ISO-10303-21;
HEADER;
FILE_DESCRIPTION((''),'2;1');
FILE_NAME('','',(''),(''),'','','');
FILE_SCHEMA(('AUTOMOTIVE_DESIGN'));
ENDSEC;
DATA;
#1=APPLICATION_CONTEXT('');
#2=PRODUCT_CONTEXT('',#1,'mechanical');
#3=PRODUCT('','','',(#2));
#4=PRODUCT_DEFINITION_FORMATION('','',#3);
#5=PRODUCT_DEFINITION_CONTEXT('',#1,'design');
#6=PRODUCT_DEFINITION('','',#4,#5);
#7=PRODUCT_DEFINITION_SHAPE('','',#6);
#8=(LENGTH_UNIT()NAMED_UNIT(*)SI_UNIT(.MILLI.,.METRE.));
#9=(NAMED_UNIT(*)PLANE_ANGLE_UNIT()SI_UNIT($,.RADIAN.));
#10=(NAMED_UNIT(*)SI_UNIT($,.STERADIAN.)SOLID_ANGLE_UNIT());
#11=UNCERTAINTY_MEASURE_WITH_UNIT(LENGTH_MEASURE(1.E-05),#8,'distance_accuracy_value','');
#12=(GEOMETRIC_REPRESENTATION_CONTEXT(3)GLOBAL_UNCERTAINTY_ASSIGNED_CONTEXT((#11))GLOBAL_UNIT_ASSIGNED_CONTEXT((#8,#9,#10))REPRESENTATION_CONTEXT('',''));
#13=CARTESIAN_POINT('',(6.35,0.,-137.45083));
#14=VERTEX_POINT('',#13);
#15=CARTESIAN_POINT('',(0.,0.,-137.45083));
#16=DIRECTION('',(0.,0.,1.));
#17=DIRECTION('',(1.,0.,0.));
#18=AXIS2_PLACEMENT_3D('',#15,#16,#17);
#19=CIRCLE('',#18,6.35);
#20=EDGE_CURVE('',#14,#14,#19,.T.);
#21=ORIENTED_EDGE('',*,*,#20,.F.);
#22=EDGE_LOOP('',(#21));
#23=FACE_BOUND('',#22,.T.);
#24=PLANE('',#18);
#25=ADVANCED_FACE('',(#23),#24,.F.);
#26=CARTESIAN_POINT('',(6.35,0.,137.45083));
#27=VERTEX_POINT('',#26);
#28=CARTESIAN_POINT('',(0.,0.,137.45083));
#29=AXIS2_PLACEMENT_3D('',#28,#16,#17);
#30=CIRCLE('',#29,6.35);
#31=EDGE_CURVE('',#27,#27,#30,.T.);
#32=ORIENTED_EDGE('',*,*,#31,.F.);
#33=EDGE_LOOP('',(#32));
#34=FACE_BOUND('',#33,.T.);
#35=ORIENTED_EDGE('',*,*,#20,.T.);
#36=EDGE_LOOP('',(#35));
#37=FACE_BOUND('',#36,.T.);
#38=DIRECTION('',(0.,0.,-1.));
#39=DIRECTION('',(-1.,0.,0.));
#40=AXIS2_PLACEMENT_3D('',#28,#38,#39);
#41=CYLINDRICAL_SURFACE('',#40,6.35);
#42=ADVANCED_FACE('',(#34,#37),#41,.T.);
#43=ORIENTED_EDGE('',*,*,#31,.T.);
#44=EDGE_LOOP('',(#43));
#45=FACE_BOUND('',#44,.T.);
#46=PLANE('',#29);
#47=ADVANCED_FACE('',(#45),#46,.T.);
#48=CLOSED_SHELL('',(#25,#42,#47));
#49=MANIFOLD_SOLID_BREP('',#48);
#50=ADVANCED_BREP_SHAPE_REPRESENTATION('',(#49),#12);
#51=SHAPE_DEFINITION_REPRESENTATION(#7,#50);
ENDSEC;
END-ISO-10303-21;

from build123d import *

# Parameters (mm, degrees)
SKETCH1_R      = 6.35
EXTRUDE1_DEPTH = 137.45083


with BuildPart() as part:
    # Sketch1 → Extrude1 (new, symmetric)
    with BuildSketch(Plane.XY):
        Circle(SKETCH1_R)
    extrude(amount=EXTRUDE1_DEPTH, both=True)


solid = part.part
